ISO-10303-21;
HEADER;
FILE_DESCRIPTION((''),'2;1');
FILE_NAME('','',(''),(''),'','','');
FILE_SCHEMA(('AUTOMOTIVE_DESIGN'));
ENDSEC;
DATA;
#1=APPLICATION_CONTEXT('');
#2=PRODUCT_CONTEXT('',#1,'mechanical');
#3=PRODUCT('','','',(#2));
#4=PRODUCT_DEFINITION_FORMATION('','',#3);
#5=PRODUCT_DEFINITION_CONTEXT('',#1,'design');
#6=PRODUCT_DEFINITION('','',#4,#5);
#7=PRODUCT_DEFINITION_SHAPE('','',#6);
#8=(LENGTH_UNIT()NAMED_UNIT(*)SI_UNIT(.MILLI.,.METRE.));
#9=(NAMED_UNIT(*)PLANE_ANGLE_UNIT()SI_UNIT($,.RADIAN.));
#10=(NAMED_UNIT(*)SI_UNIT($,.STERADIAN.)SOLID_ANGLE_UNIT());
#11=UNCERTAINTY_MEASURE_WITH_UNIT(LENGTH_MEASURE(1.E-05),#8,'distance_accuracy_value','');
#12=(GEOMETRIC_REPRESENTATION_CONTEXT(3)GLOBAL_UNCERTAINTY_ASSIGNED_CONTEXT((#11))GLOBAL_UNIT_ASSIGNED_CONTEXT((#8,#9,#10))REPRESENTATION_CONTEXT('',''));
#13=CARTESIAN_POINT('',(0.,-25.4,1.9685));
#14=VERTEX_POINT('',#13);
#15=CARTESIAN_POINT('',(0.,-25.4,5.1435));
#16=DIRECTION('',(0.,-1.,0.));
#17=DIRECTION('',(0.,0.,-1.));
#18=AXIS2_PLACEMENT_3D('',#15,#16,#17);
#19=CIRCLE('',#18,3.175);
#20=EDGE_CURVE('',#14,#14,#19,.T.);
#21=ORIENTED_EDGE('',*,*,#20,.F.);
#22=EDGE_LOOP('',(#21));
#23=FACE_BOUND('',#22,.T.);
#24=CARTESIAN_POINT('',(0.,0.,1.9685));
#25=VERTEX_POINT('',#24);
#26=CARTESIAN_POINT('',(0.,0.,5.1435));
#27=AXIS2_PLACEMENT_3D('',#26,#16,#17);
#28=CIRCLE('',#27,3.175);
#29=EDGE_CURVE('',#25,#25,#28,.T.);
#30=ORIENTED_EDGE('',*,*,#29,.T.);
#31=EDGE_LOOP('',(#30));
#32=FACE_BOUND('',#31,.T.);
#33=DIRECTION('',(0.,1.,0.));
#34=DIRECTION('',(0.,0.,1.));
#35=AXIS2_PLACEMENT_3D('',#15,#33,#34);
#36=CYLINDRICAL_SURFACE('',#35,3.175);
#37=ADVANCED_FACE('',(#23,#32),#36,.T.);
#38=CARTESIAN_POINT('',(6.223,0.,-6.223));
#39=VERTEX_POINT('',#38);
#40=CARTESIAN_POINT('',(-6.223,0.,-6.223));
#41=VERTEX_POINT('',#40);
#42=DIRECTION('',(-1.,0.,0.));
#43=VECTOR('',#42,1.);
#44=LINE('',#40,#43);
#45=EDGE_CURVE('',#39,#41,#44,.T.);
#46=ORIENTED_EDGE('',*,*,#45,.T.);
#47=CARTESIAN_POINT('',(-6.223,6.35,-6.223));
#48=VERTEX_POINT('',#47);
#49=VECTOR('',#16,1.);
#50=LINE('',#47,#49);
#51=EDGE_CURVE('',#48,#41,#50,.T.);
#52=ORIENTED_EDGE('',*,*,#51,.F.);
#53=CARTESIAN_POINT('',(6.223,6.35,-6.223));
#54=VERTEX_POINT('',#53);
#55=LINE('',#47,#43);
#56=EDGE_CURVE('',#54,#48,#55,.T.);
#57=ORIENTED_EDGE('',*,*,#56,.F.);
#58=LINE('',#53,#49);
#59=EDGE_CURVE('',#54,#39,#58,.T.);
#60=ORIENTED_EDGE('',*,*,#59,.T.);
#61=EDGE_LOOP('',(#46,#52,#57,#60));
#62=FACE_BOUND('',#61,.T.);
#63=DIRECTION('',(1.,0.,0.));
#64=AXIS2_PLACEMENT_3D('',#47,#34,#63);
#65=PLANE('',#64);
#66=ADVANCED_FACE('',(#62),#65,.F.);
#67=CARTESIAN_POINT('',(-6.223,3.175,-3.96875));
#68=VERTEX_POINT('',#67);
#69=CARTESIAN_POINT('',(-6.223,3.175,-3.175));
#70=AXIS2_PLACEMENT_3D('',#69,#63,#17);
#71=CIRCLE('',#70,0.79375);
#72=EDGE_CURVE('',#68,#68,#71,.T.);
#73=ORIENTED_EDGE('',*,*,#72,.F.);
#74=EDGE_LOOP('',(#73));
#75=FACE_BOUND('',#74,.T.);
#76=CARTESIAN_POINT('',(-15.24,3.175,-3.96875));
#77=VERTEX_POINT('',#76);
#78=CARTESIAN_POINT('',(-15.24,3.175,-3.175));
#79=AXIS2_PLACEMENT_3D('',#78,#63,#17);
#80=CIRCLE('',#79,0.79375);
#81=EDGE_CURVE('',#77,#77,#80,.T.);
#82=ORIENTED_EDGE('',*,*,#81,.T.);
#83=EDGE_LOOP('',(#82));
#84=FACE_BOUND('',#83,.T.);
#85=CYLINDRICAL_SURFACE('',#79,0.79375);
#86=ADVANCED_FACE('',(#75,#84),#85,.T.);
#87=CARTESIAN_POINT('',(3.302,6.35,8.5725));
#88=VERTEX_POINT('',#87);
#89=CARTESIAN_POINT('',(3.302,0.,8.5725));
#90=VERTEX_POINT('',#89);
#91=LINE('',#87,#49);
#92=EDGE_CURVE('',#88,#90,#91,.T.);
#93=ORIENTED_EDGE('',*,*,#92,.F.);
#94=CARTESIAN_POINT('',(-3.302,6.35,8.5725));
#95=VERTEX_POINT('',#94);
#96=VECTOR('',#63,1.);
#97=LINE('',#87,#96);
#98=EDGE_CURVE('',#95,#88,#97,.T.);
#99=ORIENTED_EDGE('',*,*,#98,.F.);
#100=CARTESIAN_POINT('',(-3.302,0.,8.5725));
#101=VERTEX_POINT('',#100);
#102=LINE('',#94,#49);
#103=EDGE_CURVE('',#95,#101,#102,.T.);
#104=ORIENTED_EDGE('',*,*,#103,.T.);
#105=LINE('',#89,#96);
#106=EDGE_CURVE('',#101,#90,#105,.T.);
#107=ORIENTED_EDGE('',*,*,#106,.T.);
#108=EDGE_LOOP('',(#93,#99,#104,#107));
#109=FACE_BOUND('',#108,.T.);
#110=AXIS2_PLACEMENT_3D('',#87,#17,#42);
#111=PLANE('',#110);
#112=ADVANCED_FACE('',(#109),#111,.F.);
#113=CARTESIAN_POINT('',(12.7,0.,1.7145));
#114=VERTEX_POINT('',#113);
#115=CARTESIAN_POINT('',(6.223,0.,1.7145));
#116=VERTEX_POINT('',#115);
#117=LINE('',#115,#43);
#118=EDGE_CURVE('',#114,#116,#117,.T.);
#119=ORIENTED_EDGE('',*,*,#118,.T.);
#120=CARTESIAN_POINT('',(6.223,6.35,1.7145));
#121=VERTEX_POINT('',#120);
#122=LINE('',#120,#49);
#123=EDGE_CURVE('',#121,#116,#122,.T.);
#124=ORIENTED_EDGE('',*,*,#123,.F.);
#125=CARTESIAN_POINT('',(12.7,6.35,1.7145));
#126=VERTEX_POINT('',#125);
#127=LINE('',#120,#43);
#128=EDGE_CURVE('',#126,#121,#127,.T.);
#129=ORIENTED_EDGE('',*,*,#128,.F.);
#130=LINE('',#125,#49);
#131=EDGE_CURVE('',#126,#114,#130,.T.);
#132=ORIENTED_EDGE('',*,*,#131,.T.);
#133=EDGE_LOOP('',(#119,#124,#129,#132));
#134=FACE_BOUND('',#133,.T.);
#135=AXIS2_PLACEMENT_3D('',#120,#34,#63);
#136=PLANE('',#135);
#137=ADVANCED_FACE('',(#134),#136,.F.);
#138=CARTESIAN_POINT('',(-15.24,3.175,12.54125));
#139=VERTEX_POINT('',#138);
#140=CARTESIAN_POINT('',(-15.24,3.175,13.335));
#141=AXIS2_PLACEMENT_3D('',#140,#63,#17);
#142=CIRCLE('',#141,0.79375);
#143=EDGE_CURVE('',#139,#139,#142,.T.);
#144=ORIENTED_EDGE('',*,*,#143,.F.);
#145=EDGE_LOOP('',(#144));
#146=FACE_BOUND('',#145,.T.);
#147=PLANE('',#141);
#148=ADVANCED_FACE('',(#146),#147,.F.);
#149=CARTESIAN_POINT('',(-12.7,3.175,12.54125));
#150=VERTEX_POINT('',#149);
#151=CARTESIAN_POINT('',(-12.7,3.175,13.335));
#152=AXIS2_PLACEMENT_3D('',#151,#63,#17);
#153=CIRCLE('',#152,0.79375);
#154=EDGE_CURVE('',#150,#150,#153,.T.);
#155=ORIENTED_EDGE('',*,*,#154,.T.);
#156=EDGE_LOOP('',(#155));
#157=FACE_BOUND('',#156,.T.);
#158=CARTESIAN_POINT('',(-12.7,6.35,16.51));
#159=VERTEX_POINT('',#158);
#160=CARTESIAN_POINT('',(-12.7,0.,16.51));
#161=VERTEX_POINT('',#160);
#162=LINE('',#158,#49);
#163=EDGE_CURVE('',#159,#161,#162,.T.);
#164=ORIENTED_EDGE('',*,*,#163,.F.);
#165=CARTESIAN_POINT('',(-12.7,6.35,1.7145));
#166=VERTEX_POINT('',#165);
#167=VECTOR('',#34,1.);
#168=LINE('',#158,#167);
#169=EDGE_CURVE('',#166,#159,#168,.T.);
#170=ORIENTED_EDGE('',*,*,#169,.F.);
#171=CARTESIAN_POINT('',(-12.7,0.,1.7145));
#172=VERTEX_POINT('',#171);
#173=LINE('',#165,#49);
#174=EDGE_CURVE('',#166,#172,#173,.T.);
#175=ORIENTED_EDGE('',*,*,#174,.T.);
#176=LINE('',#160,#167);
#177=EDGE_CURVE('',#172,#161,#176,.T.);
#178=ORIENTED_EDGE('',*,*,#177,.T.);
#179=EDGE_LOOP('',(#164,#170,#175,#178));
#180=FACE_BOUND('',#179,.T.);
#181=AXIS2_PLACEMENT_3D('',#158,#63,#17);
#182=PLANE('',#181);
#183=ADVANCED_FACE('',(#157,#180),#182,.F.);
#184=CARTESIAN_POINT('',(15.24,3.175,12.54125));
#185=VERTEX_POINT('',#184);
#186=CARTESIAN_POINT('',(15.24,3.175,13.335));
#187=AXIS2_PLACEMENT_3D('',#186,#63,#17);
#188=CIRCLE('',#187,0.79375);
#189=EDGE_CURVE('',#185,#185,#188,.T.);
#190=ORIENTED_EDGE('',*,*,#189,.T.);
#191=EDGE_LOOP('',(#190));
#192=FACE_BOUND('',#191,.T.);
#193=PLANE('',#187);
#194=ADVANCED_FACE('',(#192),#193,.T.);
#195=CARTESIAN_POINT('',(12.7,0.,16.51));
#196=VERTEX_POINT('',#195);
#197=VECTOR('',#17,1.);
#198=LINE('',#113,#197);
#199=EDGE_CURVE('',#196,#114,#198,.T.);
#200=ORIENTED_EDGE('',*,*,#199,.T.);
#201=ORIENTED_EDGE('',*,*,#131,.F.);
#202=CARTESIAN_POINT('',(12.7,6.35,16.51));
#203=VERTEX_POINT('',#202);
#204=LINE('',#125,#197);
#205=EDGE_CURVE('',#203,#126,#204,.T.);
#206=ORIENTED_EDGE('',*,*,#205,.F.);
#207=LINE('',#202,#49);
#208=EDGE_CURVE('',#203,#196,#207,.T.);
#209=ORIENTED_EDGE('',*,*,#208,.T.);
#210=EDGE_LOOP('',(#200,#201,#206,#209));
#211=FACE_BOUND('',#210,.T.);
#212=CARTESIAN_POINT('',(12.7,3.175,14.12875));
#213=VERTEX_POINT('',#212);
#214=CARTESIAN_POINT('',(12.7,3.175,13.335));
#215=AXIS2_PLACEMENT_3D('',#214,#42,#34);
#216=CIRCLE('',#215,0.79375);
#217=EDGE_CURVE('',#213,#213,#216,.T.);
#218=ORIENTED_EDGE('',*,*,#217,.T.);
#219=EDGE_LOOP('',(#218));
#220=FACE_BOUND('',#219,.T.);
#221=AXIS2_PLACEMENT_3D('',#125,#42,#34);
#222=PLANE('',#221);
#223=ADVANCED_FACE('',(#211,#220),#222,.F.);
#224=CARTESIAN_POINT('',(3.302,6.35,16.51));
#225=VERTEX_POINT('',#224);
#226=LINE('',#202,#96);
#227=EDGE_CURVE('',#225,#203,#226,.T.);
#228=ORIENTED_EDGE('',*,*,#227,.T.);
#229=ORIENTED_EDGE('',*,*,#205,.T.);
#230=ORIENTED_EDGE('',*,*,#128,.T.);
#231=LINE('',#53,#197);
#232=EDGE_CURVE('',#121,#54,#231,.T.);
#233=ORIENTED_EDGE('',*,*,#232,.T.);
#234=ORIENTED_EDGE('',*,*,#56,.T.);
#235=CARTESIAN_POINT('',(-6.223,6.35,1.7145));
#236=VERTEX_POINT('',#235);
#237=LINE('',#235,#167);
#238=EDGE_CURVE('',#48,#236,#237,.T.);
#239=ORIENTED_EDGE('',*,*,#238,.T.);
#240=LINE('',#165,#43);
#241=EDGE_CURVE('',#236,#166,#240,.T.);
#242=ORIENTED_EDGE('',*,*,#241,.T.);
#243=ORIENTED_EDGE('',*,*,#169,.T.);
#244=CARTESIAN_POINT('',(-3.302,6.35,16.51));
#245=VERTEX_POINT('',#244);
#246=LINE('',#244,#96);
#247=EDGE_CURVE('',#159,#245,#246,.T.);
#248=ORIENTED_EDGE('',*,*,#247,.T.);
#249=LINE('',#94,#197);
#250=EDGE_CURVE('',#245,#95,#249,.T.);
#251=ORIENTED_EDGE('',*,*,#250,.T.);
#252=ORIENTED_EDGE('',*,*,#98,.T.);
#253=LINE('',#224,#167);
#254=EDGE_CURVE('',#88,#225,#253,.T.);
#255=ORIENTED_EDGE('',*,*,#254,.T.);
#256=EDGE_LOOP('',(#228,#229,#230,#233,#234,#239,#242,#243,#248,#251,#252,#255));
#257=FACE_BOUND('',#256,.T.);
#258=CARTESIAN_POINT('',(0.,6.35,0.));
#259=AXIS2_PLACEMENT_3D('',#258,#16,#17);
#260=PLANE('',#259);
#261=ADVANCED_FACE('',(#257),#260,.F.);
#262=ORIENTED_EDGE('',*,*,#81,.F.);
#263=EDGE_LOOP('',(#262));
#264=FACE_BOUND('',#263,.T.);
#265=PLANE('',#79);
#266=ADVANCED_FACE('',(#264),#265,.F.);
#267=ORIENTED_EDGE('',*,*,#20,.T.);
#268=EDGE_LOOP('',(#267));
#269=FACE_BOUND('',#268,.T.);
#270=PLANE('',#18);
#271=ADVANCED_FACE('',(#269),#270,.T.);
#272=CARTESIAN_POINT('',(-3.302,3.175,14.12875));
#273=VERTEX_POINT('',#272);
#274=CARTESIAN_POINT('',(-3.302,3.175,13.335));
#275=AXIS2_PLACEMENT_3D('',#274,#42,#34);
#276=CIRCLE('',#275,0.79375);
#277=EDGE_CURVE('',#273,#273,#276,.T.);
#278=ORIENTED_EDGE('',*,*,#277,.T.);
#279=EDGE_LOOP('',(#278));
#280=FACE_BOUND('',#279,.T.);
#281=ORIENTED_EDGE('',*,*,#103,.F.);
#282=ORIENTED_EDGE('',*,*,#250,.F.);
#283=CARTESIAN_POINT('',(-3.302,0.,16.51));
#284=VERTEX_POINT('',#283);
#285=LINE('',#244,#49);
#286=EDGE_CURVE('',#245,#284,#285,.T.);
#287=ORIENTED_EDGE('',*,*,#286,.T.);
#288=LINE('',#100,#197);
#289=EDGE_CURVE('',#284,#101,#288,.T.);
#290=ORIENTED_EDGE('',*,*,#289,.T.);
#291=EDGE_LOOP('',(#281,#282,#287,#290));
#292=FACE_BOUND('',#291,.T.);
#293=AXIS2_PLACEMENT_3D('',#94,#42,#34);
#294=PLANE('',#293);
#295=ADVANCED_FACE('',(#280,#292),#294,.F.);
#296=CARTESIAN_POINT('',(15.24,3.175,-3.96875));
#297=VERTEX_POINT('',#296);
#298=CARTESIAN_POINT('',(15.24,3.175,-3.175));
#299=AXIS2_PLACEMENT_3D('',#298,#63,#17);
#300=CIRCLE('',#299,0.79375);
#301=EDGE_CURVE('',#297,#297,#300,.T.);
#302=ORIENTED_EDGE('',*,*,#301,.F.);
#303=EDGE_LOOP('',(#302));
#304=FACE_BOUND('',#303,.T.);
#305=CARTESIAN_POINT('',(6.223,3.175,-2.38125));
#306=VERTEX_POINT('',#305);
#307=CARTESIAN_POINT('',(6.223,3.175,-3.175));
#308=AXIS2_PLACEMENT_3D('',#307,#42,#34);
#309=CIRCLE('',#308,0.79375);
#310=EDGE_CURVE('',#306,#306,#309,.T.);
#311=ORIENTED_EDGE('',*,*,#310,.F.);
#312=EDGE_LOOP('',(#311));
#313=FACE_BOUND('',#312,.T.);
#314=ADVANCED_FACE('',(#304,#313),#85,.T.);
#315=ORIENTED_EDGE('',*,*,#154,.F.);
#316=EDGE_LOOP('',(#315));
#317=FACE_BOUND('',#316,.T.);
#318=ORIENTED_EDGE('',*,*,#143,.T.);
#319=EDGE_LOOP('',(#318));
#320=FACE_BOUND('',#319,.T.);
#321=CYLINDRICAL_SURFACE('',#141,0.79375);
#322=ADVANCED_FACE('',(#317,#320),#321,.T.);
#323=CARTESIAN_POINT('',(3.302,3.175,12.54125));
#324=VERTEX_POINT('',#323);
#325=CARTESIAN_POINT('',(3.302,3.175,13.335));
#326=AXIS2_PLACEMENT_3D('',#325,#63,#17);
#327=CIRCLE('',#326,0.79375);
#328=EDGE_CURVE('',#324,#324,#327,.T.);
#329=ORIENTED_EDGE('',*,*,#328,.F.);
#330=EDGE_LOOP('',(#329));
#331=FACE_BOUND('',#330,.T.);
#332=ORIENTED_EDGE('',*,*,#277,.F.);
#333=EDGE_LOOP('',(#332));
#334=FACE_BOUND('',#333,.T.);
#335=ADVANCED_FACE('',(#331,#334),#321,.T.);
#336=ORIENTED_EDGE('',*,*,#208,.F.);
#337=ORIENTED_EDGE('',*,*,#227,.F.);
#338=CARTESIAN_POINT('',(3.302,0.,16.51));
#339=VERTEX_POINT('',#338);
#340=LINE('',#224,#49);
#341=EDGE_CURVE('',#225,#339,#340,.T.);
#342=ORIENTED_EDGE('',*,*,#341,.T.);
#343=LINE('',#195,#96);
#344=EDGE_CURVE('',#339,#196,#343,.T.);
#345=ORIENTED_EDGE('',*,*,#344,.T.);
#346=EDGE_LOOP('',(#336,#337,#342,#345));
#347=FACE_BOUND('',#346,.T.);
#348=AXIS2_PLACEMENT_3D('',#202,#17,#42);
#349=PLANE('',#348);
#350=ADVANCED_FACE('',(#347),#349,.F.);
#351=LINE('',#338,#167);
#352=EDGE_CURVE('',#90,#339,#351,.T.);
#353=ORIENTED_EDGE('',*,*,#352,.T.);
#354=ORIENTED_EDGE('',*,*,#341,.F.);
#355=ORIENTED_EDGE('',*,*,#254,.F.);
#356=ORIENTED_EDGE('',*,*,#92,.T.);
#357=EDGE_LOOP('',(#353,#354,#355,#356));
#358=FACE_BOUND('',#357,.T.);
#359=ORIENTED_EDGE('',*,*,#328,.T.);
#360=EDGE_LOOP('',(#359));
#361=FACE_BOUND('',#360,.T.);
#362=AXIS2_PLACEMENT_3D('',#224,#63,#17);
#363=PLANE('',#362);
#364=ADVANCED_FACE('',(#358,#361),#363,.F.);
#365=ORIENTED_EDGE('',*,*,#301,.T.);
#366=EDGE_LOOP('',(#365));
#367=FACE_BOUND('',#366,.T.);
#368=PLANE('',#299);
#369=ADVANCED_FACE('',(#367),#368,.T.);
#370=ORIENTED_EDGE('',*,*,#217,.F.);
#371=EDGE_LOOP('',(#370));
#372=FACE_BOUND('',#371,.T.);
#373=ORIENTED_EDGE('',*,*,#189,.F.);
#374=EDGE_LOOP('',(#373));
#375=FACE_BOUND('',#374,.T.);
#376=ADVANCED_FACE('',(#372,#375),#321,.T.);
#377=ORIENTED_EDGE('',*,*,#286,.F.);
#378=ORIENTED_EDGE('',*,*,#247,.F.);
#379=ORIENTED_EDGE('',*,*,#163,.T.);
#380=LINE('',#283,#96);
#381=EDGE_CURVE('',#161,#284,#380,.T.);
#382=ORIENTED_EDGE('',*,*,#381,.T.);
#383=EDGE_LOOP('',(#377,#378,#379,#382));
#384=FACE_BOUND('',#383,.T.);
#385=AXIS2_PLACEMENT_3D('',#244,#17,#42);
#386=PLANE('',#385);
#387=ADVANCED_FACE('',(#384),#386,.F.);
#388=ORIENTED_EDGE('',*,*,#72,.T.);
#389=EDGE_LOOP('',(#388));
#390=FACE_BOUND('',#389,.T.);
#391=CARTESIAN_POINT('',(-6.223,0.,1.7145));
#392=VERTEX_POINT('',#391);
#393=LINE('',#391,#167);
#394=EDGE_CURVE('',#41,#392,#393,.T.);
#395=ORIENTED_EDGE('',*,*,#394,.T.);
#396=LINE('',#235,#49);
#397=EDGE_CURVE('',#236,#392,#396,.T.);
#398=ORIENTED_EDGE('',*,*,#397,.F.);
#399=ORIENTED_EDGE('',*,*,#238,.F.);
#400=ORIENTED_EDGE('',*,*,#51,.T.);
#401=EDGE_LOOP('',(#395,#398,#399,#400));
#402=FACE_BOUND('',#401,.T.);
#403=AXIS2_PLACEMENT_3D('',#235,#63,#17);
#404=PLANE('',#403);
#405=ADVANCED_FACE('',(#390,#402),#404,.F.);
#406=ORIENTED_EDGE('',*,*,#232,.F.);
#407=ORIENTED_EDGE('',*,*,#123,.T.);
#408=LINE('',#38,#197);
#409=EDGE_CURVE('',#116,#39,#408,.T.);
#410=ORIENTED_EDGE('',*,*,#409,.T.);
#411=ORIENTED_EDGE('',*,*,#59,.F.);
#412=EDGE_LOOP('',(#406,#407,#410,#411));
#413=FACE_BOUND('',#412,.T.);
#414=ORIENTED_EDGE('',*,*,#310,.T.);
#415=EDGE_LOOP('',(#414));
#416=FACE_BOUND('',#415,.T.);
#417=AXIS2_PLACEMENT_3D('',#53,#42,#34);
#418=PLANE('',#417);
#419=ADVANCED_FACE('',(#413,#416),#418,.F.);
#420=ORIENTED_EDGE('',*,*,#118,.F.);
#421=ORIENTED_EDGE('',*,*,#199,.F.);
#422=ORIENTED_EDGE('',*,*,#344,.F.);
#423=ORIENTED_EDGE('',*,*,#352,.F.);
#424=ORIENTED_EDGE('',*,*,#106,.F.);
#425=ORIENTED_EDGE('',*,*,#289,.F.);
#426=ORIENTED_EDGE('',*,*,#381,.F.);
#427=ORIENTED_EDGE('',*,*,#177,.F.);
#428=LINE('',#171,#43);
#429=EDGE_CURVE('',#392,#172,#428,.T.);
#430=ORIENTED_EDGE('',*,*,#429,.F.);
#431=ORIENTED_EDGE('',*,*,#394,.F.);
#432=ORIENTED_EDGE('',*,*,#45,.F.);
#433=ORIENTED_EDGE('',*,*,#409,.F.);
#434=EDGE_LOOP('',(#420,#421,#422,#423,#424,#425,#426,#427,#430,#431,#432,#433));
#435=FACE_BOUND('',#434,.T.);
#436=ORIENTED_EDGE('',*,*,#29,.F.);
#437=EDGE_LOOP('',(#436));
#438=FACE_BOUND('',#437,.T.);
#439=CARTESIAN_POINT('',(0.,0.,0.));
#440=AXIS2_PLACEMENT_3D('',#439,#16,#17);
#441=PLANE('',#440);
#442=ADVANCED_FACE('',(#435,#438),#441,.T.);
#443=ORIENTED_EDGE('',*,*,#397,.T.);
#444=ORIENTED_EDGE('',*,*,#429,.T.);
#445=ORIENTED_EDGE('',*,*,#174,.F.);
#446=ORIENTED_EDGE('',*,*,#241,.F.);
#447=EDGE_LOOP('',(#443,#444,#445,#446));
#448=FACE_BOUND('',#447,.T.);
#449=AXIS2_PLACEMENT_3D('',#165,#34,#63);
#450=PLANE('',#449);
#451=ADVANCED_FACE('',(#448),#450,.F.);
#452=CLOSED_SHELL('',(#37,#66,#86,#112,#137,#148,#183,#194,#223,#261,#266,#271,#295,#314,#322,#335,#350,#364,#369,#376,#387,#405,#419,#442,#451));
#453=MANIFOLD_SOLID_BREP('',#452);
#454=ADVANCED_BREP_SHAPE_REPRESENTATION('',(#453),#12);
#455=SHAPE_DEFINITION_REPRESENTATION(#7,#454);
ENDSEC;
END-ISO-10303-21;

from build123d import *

# Parameters (mm, degrees)
FINGERBASE_DEPTH         = 6.35
BOSS_EXTRUDE1_DEPTH      = 2.54
BOSS_EXTRUDE1_DEPTH_BACK = 27.94
SKETCH2_R                = 0.79375
SKETCH3_R                = 3.175
BOSS_EXTRUDE2_DEPTH      = 25.4


with BuildPart() as part:
    # Sketch1 → FingerBase (new body)
    with BuildSketch(Plane(origin=(0, 0, 0), x_dir=(1, 0, 0), z_dir=(0, 1, 0))):
        Polygon((-6.223, 6.223), (6.223, 6.223), (6.223, -1.7145), (12.7, -1.7145), (12.7, -16.51), (3.302, -16.51), (3.302, -8.5725), (-3.302, -8.5725), (-3.302, -16.51), (-12.7, -16.51), (-12.7, -1.7145), (-6.223, -1.7145), align=None)
    extrude(amount=FINGERBASE_DEPTH)

    # Sketch2 → Boss-Extrude1 (add, two sides: drawn at the far end of the back side and taken through both)
    with BuildSketch(Plane(origin=(12.7, 0, 0), x_dir=(0, 0, -1), z_dir=(1, 0, 0)).offset(-BOSS_EXTRUDE1_DEPTH_BACK)):
        with Locations((-13.335, 3.175)):
            Circle(SKETCH2_R)
        with Locations((3.175, 3.175)):
            Circle(SKETCH2_R)
    extrude(amount=BOSS_EXTRUDE1_DEPTH + BOSS_EXTRUDE1_DEPTH_BACK)

    # Sketch3 → Boss-Extrude2 (add)
    with BuildSketch(Plane.XZ):
        with Locations(Location((0, 5.1435, 0), (0, 0, 270))):
            Circle(SKETCH3_R)
    extrude(amount=BOSS_EXTRUDE2_DEPTH)


solid = part.part
